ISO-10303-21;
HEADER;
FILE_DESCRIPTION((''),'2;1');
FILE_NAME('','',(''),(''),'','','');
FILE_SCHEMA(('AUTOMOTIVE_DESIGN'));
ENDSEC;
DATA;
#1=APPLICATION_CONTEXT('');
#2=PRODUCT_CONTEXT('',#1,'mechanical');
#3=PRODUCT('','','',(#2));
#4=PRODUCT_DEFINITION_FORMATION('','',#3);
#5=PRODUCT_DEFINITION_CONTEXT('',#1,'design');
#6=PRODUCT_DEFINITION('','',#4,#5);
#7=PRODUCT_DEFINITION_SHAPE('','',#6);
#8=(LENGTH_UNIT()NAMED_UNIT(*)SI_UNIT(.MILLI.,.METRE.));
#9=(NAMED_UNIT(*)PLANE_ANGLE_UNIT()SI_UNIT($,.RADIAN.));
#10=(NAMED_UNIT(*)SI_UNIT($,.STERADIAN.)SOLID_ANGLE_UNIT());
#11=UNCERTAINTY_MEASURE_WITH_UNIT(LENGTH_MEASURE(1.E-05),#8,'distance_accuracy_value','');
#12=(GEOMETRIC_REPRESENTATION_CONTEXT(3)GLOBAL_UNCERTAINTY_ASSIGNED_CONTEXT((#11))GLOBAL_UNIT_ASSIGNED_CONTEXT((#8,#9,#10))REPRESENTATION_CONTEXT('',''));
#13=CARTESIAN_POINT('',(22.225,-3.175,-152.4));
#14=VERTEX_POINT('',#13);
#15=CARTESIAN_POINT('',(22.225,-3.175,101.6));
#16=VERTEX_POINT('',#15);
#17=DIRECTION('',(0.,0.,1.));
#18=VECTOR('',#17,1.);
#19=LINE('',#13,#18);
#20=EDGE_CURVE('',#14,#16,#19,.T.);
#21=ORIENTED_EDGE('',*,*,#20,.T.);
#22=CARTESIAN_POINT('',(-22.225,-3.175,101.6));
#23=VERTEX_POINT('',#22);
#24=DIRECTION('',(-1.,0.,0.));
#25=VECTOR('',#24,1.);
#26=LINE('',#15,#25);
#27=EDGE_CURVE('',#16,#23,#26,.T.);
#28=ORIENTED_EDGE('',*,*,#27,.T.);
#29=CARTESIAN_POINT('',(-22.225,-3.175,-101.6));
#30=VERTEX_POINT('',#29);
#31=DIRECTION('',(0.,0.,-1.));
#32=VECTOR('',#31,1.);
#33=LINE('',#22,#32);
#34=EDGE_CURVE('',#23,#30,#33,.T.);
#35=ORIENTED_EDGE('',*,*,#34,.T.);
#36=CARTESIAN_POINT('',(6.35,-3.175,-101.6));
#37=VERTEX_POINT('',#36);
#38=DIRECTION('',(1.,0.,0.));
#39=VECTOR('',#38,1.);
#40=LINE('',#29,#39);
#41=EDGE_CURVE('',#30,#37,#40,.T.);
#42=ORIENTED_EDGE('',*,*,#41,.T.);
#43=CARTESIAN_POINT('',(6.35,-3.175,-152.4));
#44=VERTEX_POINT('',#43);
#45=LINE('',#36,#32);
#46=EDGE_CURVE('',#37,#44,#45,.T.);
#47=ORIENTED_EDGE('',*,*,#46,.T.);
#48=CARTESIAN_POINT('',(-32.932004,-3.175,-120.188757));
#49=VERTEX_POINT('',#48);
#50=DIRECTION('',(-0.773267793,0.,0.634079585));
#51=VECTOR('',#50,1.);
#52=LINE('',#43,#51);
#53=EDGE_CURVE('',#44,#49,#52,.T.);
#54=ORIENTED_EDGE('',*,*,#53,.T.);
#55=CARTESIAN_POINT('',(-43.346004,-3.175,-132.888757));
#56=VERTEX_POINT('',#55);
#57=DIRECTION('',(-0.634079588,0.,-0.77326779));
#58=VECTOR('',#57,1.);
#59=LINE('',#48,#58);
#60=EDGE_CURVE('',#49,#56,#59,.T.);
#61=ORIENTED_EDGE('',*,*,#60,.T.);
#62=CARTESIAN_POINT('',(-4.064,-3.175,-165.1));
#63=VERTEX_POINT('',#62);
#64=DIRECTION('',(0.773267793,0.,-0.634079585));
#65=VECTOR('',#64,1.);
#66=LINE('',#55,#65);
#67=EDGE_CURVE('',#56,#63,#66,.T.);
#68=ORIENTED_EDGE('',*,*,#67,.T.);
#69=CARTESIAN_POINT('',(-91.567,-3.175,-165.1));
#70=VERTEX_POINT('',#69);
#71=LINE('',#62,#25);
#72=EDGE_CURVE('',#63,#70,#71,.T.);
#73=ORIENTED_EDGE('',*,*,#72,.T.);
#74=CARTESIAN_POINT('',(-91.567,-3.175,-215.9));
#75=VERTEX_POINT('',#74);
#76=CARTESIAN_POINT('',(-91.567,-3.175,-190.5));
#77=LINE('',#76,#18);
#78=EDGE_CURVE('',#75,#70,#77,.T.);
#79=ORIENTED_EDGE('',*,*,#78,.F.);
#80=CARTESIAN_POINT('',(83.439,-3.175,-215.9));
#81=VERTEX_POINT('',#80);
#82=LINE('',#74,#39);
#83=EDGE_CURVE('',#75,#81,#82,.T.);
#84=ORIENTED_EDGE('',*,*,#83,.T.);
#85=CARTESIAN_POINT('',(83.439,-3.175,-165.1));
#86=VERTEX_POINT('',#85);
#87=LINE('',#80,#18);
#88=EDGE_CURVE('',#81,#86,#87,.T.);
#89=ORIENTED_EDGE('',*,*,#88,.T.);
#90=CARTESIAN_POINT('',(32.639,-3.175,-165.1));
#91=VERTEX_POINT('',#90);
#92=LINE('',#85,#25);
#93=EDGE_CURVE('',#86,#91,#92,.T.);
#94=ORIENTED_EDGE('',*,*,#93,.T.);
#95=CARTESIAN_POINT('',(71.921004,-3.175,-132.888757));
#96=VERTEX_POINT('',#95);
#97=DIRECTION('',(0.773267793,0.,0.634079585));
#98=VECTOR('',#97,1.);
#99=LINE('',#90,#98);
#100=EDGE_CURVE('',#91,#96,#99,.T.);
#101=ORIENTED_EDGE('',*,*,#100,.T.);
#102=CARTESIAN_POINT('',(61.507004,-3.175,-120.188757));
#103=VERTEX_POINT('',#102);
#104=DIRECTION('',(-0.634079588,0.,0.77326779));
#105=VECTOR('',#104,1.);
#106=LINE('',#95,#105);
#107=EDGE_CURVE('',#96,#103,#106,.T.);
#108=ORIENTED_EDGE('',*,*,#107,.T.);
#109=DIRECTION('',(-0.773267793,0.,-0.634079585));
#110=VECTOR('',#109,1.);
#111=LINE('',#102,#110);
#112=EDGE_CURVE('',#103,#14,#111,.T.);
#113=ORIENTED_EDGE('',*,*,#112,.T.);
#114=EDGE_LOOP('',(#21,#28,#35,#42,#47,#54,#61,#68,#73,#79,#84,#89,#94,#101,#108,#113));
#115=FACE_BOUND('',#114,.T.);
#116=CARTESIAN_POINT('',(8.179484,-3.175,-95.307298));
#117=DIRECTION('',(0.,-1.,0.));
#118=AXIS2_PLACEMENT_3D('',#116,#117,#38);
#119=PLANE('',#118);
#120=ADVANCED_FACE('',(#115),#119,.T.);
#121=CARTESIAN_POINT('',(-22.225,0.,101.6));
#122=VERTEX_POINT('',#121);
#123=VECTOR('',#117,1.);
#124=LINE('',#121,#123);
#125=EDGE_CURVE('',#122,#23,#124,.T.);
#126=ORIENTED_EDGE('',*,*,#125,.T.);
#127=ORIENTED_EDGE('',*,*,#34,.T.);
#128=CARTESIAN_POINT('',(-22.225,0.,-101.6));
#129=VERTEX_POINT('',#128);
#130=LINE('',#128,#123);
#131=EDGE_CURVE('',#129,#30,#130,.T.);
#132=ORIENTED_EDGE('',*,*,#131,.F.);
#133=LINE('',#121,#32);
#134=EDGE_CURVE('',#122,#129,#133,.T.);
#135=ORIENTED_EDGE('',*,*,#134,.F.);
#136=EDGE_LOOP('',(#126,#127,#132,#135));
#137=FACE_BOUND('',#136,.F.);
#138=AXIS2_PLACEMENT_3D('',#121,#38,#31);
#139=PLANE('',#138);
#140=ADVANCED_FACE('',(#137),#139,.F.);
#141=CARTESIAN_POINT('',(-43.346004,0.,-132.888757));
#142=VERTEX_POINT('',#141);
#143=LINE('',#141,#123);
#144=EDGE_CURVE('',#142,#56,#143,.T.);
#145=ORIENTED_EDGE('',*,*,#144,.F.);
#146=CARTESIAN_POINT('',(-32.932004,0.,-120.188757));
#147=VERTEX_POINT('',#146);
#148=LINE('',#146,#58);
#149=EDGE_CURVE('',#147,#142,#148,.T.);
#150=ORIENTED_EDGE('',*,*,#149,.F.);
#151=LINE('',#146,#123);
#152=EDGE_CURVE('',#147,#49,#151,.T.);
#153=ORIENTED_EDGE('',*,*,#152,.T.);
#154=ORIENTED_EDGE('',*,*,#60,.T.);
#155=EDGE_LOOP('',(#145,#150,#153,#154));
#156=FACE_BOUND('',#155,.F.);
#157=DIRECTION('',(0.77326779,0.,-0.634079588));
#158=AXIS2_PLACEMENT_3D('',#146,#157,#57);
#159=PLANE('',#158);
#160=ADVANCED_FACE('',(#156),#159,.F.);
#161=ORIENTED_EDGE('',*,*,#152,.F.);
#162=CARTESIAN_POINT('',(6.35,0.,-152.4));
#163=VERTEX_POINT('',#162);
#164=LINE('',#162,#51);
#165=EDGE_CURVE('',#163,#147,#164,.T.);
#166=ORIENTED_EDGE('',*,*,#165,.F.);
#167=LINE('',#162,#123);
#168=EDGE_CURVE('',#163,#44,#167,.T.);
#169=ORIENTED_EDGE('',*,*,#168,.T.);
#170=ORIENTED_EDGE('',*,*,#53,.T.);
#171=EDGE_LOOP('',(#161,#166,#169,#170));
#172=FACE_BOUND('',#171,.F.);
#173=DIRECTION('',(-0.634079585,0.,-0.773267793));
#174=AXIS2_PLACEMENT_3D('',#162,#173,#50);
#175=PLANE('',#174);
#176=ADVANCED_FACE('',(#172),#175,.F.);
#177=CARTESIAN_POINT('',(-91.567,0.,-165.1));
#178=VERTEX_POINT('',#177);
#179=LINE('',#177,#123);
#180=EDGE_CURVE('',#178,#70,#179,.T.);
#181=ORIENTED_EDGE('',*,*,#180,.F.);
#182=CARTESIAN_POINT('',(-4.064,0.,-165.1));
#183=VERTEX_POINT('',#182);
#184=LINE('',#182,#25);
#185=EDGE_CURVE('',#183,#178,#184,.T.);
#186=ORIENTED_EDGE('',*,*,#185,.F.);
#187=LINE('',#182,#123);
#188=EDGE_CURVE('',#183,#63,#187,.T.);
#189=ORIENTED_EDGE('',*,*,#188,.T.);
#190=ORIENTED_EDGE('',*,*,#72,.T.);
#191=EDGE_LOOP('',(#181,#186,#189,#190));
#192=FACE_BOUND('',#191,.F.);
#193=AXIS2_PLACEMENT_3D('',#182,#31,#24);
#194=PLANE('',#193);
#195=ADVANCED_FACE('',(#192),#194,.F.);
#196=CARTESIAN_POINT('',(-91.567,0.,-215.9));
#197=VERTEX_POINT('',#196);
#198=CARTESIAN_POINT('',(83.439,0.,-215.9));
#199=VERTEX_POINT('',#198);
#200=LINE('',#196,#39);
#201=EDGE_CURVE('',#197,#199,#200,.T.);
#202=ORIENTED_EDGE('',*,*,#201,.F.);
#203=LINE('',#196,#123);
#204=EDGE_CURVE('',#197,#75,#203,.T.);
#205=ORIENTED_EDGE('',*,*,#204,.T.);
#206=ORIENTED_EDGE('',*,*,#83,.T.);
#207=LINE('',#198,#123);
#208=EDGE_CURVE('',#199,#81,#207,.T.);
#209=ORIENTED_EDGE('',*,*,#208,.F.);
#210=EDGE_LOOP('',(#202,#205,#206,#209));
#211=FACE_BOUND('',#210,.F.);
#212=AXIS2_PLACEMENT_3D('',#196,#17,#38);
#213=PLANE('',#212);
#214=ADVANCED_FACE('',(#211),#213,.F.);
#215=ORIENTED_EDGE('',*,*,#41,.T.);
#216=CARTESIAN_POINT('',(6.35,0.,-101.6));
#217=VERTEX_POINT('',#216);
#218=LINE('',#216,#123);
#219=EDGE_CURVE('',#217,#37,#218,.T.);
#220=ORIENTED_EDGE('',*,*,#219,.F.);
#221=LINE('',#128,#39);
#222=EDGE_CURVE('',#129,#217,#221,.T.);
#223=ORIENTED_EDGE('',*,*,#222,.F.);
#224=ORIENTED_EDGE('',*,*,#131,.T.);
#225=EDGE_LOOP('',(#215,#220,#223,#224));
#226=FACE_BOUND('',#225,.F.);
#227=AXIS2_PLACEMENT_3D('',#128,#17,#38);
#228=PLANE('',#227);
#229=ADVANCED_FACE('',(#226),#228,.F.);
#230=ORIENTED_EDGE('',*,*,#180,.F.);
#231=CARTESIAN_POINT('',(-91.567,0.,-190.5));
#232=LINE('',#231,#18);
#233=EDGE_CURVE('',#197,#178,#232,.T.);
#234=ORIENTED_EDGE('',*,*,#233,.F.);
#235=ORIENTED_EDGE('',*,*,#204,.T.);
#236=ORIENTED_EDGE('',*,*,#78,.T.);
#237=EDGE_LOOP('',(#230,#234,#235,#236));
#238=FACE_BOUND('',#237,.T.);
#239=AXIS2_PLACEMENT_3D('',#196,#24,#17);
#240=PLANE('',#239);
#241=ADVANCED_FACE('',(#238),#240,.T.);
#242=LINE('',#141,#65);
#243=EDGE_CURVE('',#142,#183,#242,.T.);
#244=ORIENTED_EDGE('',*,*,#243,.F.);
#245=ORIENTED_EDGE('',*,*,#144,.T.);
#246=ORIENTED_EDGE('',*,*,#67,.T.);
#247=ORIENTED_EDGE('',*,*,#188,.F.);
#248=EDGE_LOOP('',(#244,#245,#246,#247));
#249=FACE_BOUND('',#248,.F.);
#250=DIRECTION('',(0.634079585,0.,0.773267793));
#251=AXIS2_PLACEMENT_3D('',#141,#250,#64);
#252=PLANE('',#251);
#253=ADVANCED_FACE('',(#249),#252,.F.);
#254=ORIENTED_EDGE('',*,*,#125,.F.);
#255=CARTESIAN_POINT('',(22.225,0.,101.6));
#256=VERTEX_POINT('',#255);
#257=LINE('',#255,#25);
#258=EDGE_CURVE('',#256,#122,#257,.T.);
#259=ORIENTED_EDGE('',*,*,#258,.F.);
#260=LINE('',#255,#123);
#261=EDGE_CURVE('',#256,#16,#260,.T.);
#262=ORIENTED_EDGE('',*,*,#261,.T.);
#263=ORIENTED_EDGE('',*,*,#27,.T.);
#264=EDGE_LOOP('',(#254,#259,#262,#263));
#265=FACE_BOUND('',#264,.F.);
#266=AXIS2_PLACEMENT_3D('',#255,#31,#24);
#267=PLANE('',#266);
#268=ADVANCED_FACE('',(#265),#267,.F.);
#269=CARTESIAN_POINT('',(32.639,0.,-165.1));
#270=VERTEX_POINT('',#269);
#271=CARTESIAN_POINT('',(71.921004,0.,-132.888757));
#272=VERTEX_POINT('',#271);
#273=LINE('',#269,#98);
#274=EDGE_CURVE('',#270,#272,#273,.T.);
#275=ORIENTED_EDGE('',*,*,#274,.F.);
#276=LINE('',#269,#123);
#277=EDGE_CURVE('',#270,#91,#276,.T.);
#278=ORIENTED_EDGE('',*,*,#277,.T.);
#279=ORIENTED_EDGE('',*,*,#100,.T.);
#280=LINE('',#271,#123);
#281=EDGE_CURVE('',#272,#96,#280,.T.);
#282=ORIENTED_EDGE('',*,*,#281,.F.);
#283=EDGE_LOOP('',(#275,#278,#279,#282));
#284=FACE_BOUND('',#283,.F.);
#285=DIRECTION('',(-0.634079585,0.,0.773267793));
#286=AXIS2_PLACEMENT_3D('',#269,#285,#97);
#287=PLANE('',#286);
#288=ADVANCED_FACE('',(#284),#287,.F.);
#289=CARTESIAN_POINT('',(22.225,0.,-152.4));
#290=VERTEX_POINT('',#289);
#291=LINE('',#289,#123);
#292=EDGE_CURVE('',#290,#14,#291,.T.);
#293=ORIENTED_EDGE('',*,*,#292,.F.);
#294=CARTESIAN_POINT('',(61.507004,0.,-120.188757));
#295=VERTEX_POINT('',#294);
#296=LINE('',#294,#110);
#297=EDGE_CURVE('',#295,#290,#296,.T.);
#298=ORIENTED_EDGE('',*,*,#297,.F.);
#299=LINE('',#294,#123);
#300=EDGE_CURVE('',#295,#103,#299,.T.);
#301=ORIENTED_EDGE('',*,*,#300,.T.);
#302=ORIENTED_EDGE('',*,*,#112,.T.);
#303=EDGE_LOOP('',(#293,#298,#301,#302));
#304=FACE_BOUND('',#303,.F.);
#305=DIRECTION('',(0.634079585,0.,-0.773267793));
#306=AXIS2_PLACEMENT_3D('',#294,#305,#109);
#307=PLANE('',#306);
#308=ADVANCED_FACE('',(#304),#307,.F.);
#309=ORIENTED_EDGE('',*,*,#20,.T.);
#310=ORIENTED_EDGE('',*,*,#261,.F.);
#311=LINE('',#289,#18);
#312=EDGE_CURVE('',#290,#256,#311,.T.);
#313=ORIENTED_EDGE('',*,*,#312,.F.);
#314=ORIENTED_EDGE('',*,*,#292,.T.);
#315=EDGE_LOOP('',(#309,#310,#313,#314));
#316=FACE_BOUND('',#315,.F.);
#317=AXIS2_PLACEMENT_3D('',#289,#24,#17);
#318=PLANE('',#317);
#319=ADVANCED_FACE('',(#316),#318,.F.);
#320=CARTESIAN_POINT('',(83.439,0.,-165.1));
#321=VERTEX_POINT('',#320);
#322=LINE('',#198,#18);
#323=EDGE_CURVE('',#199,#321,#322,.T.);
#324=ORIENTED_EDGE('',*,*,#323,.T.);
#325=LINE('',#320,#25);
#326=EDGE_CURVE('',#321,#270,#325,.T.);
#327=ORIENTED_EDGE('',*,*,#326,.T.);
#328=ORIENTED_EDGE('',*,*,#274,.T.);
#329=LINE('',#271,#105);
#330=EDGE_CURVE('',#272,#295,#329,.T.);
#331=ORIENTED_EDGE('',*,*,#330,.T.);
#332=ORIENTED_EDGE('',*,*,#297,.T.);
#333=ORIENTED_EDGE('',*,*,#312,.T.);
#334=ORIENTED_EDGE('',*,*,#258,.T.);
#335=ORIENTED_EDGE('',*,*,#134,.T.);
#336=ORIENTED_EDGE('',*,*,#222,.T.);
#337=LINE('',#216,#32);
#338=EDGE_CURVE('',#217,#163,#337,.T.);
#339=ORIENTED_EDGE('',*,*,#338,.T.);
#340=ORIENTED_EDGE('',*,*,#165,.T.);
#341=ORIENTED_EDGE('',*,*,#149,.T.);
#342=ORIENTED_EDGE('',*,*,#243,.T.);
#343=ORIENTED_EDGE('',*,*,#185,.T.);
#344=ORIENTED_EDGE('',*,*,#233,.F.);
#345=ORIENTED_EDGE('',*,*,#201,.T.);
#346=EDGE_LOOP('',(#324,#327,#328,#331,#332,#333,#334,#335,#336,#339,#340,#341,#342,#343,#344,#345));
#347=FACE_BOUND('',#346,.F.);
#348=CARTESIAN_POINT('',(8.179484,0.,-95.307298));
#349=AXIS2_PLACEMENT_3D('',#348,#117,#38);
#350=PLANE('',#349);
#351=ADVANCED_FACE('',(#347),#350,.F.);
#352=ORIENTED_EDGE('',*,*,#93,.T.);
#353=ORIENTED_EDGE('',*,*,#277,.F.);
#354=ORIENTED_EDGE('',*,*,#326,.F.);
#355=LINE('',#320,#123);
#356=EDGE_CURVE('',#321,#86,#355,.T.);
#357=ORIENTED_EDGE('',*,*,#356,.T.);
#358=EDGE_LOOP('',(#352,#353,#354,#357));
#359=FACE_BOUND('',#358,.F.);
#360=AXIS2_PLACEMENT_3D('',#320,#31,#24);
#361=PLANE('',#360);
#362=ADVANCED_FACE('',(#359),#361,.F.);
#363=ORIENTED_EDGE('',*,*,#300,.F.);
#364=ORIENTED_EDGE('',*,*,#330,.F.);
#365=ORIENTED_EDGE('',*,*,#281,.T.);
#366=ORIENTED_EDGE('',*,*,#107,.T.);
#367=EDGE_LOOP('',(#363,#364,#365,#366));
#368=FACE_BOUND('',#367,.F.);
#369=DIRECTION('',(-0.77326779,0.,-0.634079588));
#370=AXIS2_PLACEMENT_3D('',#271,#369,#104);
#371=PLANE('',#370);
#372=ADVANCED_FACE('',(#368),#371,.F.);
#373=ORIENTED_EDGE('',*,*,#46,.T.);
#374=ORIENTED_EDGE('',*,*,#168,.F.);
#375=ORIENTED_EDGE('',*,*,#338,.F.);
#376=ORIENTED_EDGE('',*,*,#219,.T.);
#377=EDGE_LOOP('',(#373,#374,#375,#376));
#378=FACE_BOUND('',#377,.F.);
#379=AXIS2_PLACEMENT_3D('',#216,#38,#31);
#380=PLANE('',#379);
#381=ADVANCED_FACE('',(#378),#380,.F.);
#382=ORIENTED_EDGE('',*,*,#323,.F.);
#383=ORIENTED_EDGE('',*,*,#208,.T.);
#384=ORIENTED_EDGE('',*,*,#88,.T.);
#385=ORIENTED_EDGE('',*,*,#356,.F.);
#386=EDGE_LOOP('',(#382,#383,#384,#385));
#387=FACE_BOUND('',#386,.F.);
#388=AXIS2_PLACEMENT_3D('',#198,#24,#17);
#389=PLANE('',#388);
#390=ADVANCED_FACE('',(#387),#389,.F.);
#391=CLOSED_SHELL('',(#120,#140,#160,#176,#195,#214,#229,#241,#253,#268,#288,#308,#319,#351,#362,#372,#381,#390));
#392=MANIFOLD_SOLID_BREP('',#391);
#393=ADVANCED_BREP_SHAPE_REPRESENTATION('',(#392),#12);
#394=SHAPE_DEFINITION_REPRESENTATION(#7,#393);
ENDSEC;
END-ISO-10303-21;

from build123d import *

# Parameters (mm, degrees)
F0_W     = 36.703
F0_H     = 50.8
F1_DEPTH = 3.175


with BuildPart() as f1:
    # F0 (on Front) → F1 (new body)
    with BuildSketch(Plane.XZ):
        Polygon((22.225, -101.6), (22.225, 101.6), (-22.225, 101.6), (-22.225, -101.6), (-6.35, -101.6), (6.35, -101.6), (6.35, -152.4), (-32.932004, -120.188757), (-43.346004, -132.888757), (-4.064, -165.1), (-54.864, -165.1), (-54.864, -215.9), (-4.064, -215.9), (14.2875, -215.9), (32.639, -215.9), (83.439, -215.9), (83.439, -165.1), (32.639, -165.1), (71.921004, -132.888757), (61.507004, -120.188757), (22.225, -152.4), align=None)
        with Locations((-73.2155, -190.5)):
            Rectangle(F0_W, F0_H)
    extrude(amount=F1_DEPTH)


solid = f1.part
